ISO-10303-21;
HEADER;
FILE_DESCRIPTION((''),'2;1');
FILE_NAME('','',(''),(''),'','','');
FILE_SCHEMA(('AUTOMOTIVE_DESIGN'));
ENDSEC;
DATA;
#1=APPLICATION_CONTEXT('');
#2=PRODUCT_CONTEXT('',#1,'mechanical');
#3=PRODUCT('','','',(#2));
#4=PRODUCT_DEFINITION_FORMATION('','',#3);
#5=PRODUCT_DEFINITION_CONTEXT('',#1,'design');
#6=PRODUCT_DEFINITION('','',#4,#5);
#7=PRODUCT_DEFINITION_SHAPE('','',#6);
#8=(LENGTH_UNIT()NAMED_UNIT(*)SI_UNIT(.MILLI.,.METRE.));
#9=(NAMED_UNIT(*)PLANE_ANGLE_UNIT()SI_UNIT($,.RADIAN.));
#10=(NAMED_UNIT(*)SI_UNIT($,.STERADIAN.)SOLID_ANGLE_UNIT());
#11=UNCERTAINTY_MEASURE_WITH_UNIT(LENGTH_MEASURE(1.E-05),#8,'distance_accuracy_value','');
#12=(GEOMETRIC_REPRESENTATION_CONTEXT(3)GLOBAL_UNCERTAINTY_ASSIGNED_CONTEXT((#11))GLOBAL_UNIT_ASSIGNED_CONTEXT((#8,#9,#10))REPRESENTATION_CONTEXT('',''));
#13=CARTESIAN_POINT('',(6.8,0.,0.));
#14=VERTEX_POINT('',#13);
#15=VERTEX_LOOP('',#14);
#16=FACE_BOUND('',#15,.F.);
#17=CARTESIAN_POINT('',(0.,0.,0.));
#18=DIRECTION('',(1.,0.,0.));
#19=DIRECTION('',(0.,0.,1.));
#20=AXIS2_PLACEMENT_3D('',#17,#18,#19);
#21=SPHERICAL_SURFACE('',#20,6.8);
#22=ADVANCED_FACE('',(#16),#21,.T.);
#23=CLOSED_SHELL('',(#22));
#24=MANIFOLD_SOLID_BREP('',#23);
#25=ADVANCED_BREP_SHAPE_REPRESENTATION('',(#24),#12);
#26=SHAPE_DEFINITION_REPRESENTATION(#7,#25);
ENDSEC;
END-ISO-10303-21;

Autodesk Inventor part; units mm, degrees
ref_plane "YZ Plane" through (0, 0, 0) normal (1, 0, 0) x (0, 1, 0)
ref_plane "XZ Plane" through (0, 0, 0) normal (0, 1, 0) x (-1, 0, 0)
ref_plane "XY Plane" through (0, 0, 0) normal (0, 0, 1) x (1, 0, 0)
sketch "Sketch1" plane through (0, 0, 0) normal (0, 1, 0) x (-1, 0, 0)
  arc A0 (6.8, 0) -> (-6.8, 0) centre (0, 0) ccw
  line L0 (-6.8, 0) -> (6.8, 0)
  dimension "d0" = 13.6
revolve "Revolution1" add sketch "Sketch1" angle 360 about axis through (6.8, 0, 0) along (-1, 0, 0)
properties part number "Marble"
